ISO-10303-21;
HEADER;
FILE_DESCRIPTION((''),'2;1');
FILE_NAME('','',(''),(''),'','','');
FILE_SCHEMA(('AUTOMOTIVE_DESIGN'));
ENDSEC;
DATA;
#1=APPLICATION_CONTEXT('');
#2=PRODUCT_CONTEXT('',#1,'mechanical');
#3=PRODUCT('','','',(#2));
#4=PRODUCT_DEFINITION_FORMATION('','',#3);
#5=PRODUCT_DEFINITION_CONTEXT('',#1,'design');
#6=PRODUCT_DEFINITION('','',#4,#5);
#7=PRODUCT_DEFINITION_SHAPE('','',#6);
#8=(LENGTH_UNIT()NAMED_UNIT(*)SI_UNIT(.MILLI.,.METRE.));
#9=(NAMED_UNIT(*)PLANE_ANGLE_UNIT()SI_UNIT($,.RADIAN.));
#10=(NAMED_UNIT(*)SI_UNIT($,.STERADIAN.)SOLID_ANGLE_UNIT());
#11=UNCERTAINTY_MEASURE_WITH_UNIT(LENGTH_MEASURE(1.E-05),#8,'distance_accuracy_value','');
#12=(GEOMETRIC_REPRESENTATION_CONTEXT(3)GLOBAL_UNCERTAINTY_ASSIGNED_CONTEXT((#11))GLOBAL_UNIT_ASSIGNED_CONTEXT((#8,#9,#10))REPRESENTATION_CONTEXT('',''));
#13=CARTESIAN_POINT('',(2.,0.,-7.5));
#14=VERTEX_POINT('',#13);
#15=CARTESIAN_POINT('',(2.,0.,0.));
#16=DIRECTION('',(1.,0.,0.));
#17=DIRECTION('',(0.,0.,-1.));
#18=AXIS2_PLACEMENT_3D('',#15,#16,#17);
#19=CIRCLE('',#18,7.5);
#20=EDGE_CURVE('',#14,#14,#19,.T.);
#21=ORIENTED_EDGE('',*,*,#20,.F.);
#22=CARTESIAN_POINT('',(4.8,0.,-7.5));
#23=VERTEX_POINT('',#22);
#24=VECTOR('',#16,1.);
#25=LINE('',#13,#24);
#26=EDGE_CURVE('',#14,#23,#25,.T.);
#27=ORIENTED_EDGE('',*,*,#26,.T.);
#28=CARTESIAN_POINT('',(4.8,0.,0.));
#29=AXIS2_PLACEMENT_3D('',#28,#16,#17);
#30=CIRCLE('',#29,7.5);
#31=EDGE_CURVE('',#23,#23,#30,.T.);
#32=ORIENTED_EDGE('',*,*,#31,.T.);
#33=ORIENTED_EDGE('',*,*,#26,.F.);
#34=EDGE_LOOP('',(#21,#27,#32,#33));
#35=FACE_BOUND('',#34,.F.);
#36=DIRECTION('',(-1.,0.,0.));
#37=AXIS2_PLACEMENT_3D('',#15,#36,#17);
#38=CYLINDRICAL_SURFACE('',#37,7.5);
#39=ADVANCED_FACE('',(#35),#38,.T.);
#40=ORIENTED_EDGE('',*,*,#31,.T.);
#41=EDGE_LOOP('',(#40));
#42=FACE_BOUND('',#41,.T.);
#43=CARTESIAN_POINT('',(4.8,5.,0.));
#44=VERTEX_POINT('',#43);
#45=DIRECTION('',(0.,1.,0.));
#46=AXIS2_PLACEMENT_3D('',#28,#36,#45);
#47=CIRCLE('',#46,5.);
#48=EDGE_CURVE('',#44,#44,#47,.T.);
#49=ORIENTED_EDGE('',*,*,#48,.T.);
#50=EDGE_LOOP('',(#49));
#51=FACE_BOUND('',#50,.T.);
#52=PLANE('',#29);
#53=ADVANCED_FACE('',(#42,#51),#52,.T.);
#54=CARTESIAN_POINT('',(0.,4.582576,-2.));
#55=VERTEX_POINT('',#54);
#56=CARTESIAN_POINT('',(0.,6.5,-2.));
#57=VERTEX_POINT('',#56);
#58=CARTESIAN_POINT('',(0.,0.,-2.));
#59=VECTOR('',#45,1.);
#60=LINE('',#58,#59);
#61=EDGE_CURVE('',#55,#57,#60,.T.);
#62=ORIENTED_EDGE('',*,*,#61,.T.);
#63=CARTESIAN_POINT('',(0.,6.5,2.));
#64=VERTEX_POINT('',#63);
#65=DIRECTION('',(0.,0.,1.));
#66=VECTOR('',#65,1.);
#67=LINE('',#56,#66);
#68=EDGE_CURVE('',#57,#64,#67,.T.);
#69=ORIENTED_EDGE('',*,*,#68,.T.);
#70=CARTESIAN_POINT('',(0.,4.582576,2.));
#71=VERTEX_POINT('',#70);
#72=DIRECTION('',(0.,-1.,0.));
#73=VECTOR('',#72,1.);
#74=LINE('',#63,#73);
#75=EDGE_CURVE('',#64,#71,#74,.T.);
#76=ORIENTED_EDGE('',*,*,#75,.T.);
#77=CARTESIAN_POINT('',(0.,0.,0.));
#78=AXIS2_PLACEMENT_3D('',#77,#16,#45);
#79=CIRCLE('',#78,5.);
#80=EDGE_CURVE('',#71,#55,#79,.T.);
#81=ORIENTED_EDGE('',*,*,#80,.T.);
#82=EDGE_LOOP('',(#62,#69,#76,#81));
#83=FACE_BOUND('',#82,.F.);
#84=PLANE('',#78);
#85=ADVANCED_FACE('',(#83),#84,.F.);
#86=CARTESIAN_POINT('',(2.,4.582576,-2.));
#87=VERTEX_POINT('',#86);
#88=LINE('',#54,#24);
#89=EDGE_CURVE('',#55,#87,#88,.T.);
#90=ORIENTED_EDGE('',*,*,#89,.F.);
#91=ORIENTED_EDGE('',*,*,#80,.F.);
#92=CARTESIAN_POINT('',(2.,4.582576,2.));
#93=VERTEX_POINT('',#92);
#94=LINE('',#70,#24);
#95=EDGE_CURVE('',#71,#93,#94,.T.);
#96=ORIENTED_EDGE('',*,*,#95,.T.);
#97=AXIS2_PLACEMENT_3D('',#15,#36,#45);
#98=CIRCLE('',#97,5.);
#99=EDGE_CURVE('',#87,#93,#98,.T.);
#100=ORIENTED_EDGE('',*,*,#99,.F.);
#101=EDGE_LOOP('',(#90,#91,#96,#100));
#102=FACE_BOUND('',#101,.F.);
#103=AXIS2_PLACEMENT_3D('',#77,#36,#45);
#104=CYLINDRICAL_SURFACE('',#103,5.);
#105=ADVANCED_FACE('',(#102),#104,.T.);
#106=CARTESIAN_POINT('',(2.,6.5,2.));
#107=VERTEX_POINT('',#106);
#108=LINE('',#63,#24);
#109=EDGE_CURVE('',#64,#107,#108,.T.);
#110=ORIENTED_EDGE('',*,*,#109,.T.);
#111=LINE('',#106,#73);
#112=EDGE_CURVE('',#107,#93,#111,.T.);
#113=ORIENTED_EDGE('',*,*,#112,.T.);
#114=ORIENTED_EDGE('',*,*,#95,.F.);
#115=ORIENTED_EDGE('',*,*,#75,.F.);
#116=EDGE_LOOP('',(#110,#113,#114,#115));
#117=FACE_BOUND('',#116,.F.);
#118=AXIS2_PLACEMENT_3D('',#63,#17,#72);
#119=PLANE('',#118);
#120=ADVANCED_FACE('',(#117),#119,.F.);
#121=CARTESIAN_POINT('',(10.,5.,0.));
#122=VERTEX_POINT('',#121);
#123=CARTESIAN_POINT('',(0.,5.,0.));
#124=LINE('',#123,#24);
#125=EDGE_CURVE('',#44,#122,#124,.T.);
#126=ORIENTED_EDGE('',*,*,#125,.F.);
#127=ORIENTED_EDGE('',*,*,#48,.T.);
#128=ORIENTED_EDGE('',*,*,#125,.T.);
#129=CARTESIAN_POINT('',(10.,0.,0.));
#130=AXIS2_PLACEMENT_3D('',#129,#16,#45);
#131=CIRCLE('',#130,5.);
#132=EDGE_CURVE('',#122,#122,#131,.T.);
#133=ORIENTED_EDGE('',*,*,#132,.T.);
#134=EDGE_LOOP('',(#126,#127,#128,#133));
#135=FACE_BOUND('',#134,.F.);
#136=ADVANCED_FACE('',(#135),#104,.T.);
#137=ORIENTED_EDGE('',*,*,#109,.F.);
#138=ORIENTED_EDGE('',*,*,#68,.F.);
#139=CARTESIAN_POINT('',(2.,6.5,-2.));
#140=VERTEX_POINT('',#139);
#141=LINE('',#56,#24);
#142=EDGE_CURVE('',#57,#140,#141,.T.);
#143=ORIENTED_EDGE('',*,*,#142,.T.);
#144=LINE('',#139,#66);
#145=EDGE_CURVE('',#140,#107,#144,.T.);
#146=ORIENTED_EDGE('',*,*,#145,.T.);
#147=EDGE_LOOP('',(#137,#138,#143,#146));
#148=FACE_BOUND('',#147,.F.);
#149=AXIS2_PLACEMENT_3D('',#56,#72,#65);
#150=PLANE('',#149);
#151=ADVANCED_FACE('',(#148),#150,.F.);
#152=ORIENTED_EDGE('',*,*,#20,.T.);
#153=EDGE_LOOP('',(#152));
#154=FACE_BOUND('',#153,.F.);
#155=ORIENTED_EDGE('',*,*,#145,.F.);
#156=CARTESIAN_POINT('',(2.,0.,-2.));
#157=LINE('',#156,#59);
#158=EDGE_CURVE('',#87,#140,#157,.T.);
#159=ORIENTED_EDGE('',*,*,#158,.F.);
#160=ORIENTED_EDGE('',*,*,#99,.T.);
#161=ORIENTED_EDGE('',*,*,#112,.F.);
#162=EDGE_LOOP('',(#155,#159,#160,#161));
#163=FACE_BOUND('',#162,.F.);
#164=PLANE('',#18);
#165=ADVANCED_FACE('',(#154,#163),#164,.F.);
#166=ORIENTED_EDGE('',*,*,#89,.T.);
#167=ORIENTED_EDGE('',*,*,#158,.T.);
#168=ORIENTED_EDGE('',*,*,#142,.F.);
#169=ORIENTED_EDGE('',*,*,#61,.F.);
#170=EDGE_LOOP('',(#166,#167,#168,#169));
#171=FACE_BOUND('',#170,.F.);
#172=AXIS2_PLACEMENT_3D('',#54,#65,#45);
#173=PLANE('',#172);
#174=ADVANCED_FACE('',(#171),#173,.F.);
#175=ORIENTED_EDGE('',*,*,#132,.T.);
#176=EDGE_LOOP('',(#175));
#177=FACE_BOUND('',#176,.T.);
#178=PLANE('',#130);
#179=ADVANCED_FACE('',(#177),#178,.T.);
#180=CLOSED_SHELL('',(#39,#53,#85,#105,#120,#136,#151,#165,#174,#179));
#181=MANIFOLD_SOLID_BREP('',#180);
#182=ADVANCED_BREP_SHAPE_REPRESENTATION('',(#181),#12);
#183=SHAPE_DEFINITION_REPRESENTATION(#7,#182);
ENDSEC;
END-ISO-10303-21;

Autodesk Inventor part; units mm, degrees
ref_plane "YZ Plane" through (0, 0, 0) normal (1, 0, 0) x (0, 1, 0)
ref_plane "XZ Plane" through (0, 0, 0) normal (0, 1, 0) x (-1, 0, 0)
ref_plane "XY Plane" through (0, 0, 0) normal (0, 0, 1) x (1, 0, 0)
sketch "Sketch1" plane through (0, 0, 0) normal (1, 0, 0) x (0, 1, 0)
  circle A0 centre (0, 0) radius 5
  dimension "d0" = 10
extrude "Extrusion1" add sketch "Sketch1" along normal blind 10
sketch "Sketch2" plane through (0, 0, 0) normal (-1, 0, 0) x (0, 0, 1)
  circle A0 centre (0, 0) radius 5 projected
  line L0 (-2, 6.5) -> (2, 6.5)
  line L1 (2, 6.5) -> (2, 0)
  line L2 (2, 0) -> (-2, 0)
  line L3 (-2, 0) -> (-2, 6.5)
  point P0 (0, -5)
  point P1 (-2, 4.5826)
  point P2 (2, 4.5826)
  dimension "d3" = 11.5
  dimension "d4" = 4
extrude "Extrusion2" add sketch "Sketch2" against normal blind 2 contours A0 L3 L0 L1
sketch "Sketch3" plane through (2, 0, 0) normal (1, 0, 0) x (0, 0, -1)
  circle A0 centre (0, 0) radius 7.5
  dimension "d7" = 15
extrude "Extrusion3" add sketch "Sketch3" along normal blind 2.8
properties part number "PIEZA_AYUDA" material "Steel, Mild, Welded"
